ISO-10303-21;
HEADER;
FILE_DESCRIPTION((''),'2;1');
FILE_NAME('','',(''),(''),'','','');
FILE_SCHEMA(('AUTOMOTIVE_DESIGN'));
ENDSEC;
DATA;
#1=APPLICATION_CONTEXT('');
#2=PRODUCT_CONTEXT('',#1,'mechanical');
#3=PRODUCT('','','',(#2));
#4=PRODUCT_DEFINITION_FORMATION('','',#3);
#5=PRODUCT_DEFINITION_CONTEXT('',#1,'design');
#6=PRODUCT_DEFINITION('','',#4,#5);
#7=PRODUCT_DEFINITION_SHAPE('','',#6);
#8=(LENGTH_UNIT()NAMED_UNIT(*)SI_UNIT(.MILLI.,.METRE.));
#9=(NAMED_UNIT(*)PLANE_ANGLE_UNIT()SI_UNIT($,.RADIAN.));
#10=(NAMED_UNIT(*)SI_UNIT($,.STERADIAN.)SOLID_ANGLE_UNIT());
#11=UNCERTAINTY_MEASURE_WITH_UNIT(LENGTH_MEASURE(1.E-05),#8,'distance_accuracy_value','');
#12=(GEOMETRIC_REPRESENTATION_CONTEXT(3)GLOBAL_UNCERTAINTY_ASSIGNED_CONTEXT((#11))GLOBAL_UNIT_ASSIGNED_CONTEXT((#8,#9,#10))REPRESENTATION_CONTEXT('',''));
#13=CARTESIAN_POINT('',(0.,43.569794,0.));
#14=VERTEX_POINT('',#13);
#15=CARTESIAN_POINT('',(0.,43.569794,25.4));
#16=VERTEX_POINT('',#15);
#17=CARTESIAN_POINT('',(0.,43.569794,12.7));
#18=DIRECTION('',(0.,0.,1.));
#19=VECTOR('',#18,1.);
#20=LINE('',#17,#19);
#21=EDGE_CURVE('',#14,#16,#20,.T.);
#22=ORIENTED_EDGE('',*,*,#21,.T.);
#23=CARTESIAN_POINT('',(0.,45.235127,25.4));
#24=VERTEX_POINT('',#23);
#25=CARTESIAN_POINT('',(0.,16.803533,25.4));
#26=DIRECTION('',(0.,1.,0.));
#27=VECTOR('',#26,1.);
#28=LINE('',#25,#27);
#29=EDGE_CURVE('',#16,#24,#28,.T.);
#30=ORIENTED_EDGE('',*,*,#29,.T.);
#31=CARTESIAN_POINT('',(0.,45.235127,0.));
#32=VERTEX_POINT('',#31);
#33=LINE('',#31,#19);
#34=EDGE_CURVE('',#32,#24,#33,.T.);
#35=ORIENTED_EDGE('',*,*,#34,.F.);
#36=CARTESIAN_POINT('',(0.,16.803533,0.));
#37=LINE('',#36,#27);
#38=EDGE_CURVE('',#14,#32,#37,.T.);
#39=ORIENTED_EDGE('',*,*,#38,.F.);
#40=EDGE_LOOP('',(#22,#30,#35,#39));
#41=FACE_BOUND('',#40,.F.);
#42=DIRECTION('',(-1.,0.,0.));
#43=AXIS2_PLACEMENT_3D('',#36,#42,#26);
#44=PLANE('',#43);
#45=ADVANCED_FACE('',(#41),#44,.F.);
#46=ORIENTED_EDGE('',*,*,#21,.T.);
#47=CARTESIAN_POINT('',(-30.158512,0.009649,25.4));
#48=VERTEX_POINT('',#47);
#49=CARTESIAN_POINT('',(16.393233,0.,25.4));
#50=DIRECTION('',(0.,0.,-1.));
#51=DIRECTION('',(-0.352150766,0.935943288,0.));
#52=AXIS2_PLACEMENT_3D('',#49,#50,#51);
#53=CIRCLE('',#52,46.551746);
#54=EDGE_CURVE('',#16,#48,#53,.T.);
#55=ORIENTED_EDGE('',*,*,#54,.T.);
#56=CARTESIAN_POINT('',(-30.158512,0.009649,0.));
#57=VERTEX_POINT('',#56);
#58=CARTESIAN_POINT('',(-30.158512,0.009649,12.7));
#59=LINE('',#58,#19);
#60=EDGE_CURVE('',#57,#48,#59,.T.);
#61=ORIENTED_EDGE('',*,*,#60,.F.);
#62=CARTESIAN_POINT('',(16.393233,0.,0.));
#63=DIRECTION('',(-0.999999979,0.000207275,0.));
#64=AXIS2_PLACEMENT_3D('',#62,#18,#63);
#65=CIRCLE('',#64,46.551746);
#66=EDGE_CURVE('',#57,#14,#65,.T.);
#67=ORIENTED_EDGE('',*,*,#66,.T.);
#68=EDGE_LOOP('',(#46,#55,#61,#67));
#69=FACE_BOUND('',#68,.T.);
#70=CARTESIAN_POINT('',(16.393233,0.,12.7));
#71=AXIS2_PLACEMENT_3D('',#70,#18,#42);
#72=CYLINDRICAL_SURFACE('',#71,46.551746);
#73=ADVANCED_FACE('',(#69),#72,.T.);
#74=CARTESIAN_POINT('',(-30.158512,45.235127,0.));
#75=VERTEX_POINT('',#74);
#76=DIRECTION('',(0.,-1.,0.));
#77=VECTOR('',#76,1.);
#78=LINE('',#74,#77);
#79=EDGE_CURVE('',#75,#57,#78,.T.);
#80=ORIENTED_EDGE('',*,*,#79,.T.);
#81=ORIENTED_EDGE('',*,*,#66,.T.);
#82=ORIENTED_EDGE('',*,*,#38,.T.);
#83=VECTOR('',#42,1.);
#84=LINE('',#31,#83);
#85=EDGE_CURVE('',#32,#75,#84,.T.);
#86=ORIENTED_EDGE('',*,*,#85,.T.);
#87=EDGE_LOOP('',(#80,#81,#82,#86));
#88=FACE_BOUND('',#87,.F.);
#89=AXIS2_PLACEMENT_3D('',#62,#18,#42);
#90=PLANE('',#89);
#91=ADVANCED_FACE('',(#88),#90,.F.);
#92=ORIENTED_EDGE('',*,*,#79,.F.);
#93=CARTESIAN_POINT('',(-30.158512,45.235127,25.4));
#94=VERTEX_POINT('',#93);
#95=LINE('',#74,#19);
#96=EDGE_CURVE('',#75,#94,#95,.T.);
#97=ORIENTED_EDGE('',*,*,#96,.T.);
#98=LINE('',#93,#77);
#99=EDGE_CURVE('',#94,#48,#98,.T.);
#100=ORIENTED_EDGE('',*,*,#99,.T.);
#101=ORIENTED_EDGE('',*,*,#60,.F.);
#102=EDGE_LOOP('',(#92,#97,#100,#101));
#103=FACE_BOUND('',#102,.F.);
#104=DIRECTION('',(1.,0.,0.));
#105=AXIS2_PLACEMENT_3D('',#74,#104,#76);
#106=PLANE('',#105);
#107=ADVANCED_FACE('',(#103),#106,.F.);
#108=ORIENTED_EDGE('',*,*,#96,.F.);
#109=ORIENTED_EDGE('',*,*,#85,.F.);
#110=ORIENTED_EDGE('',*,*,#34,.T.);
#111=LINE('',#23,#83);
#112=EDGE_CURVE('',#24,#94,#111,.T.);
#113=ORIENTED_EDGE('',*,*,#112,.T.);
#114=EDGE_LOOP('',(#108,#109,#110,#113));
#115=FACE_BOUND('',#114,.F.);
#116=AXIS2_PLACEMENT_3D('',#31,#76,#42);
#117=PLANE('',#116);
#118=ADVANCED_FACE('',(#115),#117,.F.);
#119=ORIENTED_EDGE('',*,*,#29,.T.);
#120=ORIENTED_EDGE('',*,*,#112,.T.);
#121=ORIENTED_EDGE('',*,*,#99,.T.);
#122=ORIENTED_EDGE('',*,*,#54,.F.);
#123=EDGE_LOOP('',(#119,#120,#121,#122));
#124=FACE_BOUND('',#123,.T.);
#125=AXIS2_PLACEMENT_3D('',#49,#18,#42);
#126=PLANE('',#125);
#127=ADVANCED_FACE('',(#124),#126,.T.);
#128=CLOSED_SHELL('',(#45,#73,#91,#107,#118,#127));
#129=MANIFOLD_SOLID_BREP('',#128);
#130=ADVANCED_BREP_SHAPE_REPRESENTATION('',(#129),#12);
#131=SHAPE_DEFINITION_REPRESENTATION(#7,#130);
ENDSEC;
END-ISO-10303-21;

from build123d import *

# Parameters (mm, degrees)
F0_W      = 7.860821
F0_H      = 16.803533
F0_W_2    = 16.393233
F1_DEPTH  = 25.4
F1_FACE_W = 46.551746
F1_FACE_H = 25.4


with BuildPart() as f1:
    # F0 (on Top) → F1 (new body)
    with BuildSketch(Plane.XY):
        with Locations((-3.93041, 8.401766)):
            Rectangle(F0_W, F0_H)
        with Locations((8.196616, 8.401766)):
            Rectangle(F0_W_2, F0_H)
        Polygon((-30.158512, 0), (-7.860821, 0), (-7.860821, 16.803533), (0, 16.803533), (0, 45.235127), (-30.158512, 45.235127), align=None)
    extrude(amount=F1_DEPTH)

    # F1_face (on face) → F2 (revolve)
    with BuildSketch(Plane(origin=(-6.88264, 0, 12.7), x_dir=(1, 0, 0), z_dir=(0, -1, 0))):
        Rectangle(F1_FACE_W, F1_FACE_H)
    revolve(axis=Axis((16.393233, 0, 12.7), (0, 0, 1)))


solid = f1.part
